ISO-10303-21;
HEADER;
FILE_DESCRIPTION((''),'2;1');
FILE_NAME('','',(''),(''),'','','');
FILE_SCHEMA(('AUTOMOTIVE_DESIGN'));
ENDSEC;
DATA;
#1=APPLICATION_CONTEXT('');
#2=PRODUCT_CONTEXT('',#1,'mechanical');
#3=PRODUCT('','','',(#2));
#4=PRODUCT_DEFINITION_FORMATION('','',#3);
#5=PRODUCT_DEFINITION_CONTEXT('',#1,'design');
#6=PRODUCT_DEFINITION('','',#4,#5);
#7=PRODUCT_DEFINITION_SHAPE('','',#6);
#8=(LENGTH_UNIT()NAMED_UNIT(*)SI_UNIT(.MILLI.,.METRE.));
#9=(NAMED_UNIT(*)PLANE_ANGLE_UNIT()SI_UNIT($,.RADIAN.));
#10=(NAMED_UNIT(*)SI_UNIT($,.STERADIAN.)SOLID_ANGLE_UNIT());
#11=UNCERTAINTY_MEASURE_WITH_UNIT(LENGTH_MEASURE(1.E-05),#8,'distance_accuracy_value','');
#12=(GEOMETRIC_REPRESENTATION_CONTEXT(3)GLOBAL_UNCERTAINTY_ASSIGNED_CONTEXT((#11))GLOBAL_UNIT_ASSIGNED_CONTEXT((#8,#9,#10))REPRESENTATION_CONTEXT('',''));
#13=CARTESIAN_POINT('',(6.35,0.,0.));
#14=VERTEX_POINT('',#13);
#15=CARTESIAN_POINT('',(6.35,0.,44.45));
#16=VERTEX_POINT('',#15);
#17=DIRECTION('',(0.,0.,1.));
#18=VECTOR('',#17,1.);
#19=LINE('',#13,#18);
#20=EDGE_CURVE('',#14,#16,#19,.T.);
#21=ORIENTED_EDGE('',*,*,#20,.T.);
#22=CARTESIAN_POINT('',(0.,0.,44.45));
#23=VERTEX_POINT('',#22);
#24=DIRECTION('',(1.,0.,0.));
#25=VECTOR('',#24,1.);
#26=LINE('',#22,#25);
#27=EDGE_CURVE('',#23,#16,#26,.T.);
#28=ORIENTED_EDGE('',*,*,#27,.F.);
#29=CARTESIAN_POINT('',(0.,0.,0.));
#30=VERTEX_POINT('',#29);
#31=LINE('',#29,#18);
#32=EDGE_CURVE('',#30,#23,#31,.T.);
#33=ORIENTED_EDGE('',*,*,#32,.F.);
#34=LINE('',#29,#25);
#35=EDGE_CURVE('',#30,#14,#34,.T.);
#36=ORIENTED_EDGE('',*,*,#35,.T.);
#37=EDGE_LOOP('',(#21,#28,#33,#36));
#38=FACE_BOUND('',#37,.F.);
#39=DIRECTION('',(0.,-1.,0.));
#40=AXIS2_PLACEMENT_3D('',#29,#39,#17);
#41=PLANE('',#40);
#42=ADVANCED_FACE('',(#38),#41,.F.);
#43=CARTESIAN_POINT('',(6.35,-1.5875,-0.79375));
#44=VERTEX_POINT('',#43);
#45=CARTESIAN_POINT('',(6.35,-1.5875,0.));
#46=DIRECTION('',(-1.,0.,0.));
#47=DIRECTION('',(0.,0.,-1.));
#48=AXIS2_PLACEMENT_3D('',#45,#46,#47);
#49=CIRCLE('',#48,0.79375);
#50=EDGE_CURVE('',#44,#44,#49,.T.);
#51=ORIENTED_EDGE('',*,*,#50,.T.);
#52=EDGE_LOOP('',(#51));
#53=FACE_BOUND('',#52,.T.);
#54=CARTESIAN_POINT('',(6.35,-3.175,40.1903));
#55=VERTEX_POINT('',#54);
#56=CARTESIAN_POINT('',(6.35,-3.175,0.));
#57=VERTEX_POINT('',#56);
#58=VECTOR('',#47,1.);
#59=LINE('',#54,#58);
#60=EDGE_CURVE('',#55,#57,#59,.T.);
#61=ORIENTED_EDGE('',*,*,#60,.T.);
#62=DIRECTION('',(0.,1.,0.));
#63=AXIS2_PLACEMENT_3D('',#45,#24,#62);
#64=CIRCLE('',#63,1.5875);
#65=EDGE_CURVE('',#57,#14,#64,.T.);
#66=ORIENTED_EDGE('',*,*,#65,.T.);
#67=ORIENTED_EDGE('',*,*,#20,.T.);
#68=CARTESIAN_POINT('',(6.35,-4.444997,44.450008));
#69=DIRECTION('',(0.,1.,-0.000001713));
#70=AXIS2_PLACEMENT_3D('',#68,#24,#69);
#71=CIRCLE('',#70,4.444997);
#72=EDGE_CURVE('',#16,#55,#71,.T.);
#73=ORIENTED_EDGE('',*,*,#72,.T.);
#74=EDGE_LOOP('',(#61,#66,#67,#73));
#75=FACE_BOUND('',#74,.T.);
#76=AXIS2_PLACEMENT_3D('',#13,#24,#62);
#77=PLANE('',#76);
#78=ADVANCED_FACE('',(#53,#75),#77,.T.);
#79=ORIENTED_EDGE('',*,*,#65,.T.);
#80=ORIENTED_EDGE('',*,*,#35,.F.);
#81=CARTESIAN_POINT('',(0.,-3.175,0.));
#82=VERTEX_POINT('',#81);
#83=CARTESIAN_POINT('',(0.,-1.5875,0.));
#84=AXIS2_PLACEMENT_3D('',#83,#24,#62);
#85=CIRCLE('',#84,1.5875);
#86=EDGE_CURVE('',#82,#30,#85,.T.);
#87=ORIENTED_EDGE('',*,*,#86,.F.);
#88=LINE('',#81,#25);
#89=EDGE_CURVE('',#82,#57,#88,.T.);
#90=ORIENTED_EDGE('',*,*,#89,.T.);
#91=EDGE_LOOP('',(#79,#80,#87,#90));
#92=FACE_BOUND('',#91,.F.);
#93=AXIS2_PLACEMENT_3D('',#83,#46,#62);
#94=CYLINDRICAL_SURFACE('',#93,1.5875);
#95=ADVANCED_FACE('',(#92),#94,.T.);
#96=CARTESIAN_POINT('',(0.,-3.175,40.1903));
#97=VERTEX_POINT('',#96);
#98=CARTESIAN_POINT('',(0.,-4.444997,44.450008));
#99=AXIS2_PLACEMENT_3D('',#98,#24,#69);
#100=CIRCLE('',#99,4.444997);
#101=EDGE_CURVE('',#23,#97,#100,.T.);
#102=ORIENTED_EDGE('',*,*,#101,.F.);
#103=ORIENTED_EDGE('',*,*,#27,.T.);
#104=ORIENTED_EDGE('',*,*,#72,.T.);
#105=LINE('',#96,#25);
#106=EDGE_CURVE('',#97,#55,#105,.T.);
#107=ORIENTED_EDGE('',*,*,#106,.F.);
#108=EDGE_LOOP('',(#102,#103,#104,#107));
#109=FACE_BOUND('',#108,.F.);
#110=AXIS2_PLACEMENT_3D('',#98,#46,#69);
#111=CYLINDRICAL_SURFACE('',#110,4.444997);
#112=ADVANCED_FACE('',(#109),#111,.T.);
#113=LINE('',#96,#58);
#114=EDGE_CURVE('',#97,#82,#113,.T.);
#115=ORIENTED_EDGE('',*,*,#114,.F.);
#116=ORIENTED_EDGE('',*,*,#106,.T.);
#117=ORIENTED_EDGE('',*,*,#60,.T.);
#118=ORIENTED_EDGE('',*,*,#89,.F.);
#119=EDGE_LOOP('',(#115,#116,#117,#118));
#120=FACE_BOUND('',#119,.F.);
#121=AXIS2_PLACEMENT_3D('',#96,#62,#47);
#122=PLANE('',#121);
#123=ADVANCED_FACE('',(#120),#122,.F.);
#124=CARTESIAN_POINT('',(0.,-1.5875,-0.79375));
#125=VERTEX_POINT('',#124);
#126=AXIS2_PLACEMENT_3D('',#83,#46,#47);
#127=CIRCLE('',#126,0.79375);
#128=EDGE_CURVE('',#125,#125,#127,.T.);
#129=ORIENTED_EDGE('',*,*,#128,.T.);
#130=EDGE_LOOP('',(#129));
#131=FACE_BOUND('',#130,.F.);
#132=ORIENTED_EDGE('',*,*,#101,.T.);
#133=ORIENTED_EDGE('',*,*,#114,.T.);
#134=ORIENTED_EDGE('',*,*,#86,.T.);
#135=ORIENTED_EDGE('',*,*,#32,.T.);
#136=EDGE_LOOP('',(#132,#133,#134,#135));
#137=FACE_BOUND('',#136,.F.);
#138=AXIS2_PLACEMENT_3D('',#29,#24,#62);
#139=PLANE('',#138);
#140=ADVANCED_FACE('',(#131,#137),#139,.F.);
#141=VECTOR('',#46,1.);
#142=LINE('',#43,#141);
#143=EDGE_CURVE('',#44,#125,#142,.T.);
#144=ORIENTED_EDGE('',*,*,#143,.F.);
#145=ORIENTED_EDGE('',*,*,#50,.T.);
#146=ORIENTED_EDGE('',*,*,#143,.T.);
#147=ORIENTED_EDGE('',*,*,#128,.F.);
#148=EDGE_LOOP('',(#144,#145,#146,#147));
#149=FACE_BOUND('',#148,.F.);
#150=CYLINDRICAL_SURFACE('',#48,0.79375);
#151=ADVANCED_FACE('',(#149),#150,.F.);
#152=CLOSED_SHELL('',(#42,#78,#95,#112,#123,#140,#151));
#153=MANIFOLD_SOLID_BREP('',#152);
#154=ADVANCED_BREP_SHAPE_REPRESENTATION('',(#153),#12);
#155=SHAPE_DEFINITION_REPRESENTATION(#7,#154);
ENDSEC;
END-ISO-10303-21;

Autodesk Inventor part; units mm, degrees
ref_plane "YZ Plane" through (0, 0, 0) normal (1, 0, 0) x (0, 1, 0)
ref_plane "XZ Plane" through (0, 0, 0) normal (0, 1, 0) x (-1, 0, 0)
ref_plane "XY Plane" through (0, 0, 0) normal (0, 0, 1) x (1, 0, 0)
sketch "Sketch1" plane through (0, 0, 0) normal (1, 0, 0) x (0, 1, 0)
  line L0 (0, 0) -> (0, 44.45)
  arc A0 (0, 44.45) -> (-3.175, 40.1903) centre (-4.445, 44.45) ccw
  line L1 (-3.175, 40.1903) -> (-3.175, 0)
  line L2 (-3.175, 0) -> (0, 0)
  circle A1 centre (-1.5875, 0) radius 1.5875
  dimension "d0" = 3.175
  dimension "d1" = 44.45
  dimension "d2" = 4.445
extrude "Extrusion1" add sketch "Sketch1" along normal blind 6.35
sketch "Sketch2" plane through (6.35, 0, 0) normal (1, 0, 0) x (0, 0, -1)
  arc A0 (0, -3.175) -> (0, 0) centre (0, -1.5875) ccw projected
hole "Hole1" at (6.35, -1.5875, 0) direction (-1, 0, 0) diameter 1.5875 end through all
properties part number "Arm" material "Lead"
